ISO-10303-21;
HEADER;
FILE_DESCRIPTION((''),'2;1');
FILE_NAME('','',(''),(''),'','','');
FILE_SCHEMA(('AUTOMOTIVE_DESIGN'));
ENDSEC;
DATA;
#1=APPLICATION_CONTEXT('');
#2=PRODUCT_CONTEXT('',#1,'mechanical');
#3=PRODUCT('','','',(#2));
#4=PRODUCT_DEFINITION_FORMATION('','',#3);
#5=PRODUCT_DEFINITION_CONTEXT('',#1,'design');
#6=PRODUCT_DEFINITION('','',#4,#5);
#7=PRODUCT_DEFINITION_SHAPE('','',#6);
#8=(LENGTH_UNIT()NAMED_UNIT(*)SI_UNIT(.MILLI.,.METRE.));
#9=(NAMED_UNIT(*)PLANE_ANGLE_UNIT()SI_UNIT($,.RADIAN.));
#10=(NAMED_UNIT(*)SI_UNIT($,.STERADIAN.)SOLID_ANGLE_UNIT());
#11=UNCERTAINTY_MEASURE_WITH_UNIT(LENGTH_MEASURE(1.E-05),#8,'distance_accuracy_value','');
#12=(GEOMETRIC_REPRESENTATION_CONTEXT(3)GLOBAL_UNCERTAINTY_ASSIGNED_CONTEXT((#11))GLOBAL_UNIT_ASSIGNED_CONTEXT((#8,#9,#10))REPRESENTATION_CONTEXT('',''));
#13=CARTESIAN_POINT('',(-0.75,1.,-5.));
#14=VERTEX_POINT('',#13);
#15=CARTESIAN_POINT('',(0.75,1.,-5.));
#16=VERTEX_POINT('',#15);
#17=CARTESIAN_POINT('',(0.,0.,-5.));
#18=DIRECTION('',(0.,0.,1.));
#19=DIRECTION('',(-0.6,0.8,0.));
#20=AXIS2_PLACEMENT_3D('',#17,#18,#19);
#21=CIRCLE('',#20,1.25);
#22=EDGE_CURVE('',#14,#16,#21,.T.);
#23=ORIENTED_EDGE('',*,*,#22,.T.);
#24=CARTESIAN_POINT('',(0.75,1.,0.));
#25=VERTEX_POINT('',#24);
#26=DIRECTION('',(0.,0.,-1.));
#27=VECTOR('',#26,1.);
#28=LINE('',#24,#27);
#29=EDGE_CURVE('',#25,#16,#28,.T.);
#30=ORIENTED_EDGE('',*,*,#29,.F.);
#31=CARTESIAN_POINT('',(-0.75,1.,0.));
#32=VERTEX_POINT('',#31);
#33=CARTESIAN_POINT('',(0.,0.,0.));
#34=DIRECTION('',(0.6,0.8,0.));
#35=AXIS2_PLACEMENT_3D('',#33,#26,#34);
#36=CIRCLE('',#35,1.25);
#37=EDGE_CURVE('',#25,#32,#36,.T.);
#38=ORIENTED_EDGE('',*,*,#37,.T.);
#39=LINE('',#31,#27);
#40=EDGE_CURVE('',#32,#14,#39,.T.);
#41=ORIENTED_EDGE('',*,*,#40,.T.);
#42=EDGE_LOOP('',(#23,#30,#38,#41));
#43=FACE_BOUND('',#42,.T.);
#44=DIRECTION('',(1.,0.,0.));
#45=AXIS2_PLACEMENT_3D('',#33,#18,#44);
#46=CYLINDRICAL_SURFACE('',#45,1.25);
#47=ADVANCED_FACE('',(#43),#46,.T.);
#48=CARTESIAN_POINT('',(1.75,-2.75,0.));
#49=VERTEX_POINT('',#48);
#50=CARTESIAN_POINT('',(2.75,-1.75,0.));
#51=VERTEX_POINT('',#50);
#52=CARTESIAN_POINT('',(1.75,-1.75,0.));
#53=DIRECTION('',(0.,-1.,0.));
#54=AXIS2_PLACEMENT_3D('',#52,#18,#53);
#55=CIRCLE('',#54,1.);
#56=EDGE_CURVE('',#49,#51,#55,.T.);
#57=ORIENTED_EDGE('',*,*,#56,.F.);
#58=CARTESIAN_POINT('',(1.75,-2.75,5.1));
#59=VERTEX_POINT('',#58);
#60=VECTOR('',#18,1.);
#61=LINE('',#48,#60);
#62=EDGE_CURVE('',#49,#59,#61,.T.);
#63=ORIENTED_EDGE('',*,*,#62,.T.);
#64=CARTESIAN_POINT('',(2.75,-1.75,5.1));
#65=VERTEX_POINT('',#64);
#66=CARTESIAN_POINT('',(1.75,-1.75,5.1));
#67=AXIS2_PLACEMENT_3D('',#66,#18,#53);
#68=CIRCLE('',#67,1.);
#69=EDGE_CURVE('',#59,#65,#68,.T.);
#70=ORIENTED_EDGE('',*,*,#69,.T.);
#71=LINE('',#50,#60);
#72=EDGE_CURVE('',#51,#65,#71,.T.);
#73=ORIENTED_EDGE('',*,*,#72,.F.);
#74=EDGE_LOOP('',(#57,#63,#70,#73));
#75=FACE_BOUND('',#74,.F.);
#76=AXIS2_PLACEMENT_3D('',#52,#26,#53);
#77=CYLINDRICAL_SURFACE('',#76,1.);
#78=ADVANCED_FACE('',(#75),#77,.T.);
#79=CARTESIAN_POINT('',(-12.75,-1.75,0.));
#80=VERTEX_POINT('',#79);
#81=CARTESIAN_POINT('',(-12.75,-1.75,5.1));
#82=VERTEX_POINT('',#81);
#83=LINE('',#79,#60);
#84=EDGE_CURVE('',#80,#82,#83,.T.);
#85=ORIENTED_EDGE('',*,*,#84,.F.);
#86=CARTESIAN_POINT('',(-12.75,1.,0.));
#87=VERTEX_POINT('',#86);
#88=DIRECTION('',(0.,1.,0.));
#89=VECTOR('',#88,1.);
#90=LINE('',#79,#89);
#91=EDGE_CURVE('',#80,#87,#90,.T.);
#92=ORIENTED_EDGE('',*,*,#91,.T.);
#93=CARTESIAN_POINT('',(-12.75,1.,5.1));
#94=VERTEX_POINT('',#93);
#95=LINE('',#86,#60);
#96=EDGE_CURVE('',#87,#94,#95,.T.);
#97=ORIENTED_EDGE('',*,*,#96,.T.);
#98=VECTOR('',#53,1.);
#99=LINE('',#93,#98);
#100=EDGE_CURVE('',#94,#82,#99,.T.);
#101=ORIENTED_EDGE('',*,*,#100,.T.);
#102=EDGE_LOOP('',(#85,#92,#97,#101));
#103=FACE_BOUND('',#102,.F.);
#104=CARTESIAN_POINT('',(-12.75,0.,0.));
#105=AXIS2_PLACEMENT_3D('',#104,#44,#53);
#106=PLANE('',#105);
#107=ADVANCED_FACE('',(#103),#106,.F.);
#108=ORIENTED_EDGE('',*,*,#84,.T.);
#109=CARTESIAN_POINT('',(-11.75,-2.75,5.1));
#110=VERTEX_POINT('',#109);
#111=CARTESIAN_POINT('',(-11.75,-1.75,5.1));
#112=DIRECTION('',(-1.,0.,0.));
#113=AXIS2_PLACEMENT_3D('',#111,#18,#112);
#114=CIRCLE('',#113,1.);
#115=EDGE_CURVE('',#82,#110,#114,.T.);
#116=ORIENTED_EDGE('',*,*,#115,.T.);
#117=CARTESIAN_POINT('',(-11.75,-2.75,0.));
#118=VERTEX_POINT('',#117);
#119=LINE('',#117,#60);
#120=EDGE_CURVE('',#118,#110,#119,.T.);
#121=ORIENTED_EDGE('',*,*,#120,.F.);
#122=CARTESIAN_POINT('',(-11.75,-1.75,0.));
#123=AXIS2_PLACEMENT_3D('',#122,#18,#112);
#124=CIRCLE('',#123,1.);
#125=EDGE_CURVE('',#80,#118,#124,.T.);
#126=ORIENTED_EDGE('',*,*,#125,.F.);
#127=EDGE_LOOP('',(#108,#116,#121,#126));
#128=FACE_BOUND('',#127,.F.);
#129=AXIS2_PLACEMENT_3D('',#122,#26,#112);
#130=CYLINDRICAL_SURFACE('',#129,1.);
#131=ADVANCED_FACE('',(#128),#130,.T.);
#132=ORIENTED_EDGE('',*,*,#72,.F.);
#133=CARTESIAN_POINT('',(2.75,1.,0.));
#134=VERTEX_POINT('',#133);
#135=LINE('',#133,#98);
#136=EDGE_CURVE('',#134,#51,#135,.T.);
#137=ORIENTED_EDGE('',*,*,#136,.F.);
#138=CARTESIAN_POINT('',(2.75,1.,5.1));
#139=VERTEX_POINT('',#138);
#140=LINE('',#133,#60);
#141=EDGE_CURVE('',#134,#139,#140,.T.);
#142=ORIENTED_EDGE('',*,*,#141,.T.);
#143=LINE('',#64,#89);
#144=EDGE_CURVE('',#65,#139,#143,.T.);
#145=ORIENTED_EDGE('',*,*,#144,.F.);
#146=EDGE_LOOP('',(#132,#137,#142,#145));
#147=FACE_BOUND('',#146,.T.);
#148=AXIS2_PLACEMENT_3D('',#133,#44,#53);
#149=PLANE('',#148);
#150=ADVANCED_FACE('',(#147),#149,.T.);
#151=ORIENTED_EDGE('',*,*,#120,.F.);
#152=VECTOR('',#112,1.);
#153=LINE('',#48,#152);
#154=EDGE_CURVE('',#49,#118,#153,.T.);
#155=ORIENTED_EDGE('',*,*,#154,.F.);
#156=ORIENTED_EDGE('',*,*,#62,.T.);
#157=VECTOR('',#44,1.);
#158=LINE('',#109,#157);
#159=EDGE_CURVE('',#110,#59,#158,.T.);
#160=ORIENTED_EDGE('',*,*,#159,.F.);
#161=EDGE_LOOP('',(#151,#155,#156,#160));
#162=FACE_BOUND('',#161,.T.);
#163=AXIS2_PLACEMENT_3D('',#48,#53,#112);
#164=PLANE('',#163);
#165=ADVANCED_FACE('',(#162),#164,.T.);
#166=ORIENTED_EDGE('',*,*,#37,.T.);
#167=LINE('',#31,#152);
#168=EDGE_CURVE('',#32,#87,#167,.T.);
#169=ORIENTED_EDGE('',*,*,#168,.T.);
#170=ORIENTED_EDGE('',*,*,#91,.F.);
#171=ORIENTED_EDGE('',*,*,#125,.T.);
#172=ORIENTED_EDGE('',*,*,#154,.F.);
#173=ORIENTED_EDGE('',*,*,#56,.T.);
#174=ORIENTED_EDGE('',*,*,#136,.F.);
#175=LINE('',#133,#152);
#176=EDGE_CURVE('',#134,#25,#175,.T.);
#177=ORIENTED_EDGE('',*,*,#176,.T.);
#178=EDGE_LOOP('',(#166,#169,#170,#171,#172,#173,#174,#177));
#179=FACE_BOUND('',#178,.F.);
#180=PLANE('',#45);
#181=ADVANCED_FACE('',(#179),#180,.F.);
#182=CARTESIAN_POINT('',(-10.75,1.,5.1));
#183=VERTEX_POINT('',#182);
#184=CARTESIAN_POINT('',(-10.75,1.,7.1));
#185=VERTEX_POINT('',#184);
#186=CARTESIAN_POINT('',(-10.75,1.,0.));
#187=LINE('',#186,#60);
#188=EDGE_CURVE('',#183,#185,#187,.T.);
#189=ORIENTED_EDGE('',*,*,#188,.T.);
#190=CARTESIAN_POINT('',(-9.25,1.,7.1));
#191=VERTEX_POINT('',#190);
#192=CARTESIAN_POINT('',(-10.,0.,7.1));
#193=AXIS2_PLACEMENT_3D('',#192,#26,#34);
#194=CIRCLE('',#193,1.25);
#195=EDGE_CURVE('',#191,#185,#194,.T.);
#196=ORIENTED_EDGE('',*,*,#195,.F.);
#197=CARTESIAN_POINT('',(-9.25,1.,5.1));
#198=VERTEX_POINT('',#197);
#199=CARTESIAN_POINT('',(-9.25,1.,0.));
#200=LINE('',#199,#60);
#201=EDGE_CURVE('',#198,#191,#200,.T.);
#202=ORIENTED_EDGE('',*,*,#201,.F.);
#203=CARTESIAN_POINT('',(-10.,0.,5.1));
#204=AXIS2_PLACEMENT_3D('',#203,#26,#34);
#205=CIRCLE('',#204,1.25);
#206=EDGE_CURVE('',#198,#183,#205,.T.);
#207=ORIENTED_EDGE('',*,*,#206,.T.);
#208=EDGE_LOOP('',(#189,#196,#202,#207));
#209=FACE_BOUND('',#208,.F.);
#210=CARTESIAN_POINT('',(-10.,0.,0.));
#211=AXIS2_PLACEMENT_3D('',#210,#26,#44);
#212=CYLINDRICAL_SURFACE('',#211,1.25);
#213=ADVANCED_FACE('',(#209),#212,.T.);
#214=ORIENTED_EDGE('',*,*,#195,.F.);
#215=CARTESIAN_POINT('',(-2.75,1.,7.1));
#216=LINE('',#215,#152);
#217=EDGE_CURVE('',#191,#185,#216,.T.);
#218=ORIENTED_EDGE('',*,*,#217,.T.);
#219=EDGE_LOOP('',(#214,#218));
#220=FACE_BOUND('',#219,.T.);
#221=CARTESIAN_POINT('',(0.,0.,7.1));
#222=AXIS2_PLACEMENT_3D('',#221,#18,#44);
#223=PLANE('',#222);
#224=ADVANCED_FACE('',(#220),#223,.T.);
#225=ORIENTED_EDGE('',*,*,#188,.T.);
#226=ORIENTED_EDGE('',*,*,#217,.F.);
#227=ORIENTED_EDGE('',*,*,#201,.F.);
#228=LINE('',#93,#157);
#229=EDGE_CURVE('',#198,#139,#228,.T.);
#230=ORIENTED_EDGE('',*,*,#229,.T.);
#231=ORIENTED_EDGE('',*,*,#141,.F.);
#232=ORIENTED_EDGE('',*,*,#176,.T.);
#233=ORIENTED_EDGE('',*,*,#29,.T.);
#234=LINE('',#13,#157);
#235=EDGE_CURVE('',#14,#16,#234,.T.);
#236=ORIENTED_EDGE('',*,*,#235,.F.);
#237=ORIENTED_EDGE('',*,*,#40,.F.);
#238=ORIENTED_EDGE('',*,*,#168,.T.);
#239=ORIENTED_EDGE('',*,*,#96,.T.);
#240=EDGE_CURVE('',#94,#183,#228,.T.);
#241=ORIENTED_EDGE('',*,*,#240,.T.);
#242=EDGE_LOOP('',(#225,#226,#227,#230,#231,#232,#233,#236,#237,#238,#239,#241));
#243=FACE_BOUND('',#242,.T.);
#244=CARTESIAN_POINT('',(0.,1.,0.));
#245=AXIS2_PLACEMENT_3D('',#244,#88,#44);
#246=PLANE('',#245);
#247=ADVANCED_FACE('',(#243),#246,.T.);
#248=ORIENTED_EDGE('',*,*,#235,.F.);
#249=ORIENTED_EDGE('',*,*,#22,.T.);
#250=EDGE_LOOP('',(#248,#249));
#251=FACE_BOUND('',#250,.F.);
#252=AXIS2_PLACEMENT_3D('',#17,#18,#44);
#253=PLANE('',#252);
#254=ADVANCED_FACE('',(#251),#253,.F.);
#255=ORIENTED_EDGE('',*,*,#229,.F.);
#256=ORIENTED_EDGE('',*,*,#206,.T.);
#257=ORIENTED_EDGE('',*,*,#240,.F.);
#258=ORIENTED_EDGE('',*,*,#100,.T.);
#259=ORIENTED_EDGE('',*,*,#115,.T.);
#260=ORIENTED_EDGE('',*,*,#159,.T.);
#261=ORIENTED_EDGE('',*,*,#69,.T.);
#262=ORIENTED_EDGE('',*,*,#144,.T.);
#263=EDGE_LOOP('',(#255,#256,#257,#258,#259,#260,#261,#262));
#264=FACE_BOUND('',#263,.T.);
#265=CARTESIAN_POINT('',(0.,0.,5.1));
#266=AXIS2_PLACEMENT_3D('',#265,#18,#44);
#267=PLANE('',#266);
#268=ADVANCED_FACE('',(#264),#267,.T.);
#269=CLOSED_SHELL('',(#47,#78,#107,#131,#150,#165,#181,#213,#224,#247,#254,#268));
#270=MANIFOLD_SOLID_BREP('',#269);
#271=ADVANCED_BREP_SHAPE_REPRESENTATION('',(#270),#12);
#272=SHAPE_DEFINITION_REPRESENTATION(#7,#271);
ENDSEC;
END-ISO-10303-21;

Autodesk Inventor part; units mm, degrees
ref_plane "YZ Plane" through (0, 0, 0) normal (1, 0, 0) x (0, 1, 0)
ref_plane "XZ Plane" through (0, 0, 0) normal (0, 1, 0) x (-1, 0, 0)
ref_plane "XY Plane" through (0, 0, 0) normal (0, 0, 1) x (1, 0, 0)
sketch "Sketch1" plane through (0, 0, 0) normal (0, 0, 1) x (1, 0, 0)
  circle A0 centre (0, 0) radius 1.25
  circle A1 centre (0, 0) radius 2.75
  line L0 (-1.75, 2.75) -> (1.75, 2.75)
  line L1 (2.75, 1.75) -> (2.75, -1.75)
  line L2 (1.75, -2.75) -> (-1.75, -2.75)
  line L3 (-2.75, -1.75) -> (-2.75, 1.75)
  arc A2 (-1.75, 2.75) -> (-2.75, 1.75) centre (-1.75, 1.75) ccw
  arc A3 (2.75, 1.75) -> (1.75, 2.75) centre (1.75, 1.75) ccw
  arc A4 (1.75, -2.75) -> (2.75, -1.75) centre (1.75, -1.75) ccw
  arc A5 (-2.75, -1.75) -> (-1.75, -2.75) centre (-1.75, -1.75) ccw
  line L4 (-2.75, 1) -> (2.75, 1)
  line L5 (0, 2.75) -> (-11.75, 2.75)
  line L6 (-12.75, 1.75) -> (-12.75, -1.75)
  line L7 (-11.75, -2.75) -> (0, -2.75)
  line L8 (0, -2.75) -> (0, 2.75)
  circle A6 centre (-10, 0) radius 2.75
  circle A7 centre (-10, 0) radius 1.25
  line L9 (-2.75, 1) -> (-12.75, 1)
  arc A8 (-11.75, 2.75) -> (-12.75, 1.75) centre (-11.75, 1.75) ccw
  arc A9 (-12.75, -1.75) -> (-11.75, -2.75) centre (-11.75, -1.75) ccw
  point P0 (-2.75, 0)
  point P1 (0, -2.75)
  point P2 (0.75, 1)
  point P3 (-0.75, 1)
  point P4 (0, 0)
  point P5 (-9.25, 1)
  point P6 (-10.75, 1)
  dimension "d0" = 2.5
  dimension "d1" = 5.5
  dimension "d2" = 1
  dimension "d3" = 1
  dimension "d4" = 1
  dimension "d11" = 1
  dimension "d12" = 2.5
  dimension "d13" = 10
  dimension "d14" = 1
extrude "Extrusion1" add sketch "Sketch1" against normal blind 5 contours A0 L8 L4 | A0 L4 L8 picked at (0.0927, -0.4896) picked at (-0.103, -0.4871)
extrude "Extrusion2" add sketch "Sketch1" along normal blind 5.1 contours A0 L8 L4 | A0 L4 A1 L8 | L8 A1 L4 A0 | A0 L4 L8 | L4 L1 A1 | L2 A5 L3 A1 | A1 L1 A4 L2 | A1 L3 L4 | L3 A5 L7 A6 L9 | L7 A9 L6 A6 | A6 L9 A7 | L6 L9 A6 | A7 L9 picked at (0.0927, -0.4896) picked at (2.2166, -0.2967) picked at (-0.204, -2.227) picked at (-0.103, -0.4871) picked at (-7.773, -0.204) picked at (-10.4044, -0.1231)
extrude "Extrusion3" add sketch "Sketch1" along normal blind 7.1 contours A7 L9 picked at (-10.4044, -0.1231)
equation "\"d12\" = d0"
properties part number "rpi_base_front_3DPrint"
